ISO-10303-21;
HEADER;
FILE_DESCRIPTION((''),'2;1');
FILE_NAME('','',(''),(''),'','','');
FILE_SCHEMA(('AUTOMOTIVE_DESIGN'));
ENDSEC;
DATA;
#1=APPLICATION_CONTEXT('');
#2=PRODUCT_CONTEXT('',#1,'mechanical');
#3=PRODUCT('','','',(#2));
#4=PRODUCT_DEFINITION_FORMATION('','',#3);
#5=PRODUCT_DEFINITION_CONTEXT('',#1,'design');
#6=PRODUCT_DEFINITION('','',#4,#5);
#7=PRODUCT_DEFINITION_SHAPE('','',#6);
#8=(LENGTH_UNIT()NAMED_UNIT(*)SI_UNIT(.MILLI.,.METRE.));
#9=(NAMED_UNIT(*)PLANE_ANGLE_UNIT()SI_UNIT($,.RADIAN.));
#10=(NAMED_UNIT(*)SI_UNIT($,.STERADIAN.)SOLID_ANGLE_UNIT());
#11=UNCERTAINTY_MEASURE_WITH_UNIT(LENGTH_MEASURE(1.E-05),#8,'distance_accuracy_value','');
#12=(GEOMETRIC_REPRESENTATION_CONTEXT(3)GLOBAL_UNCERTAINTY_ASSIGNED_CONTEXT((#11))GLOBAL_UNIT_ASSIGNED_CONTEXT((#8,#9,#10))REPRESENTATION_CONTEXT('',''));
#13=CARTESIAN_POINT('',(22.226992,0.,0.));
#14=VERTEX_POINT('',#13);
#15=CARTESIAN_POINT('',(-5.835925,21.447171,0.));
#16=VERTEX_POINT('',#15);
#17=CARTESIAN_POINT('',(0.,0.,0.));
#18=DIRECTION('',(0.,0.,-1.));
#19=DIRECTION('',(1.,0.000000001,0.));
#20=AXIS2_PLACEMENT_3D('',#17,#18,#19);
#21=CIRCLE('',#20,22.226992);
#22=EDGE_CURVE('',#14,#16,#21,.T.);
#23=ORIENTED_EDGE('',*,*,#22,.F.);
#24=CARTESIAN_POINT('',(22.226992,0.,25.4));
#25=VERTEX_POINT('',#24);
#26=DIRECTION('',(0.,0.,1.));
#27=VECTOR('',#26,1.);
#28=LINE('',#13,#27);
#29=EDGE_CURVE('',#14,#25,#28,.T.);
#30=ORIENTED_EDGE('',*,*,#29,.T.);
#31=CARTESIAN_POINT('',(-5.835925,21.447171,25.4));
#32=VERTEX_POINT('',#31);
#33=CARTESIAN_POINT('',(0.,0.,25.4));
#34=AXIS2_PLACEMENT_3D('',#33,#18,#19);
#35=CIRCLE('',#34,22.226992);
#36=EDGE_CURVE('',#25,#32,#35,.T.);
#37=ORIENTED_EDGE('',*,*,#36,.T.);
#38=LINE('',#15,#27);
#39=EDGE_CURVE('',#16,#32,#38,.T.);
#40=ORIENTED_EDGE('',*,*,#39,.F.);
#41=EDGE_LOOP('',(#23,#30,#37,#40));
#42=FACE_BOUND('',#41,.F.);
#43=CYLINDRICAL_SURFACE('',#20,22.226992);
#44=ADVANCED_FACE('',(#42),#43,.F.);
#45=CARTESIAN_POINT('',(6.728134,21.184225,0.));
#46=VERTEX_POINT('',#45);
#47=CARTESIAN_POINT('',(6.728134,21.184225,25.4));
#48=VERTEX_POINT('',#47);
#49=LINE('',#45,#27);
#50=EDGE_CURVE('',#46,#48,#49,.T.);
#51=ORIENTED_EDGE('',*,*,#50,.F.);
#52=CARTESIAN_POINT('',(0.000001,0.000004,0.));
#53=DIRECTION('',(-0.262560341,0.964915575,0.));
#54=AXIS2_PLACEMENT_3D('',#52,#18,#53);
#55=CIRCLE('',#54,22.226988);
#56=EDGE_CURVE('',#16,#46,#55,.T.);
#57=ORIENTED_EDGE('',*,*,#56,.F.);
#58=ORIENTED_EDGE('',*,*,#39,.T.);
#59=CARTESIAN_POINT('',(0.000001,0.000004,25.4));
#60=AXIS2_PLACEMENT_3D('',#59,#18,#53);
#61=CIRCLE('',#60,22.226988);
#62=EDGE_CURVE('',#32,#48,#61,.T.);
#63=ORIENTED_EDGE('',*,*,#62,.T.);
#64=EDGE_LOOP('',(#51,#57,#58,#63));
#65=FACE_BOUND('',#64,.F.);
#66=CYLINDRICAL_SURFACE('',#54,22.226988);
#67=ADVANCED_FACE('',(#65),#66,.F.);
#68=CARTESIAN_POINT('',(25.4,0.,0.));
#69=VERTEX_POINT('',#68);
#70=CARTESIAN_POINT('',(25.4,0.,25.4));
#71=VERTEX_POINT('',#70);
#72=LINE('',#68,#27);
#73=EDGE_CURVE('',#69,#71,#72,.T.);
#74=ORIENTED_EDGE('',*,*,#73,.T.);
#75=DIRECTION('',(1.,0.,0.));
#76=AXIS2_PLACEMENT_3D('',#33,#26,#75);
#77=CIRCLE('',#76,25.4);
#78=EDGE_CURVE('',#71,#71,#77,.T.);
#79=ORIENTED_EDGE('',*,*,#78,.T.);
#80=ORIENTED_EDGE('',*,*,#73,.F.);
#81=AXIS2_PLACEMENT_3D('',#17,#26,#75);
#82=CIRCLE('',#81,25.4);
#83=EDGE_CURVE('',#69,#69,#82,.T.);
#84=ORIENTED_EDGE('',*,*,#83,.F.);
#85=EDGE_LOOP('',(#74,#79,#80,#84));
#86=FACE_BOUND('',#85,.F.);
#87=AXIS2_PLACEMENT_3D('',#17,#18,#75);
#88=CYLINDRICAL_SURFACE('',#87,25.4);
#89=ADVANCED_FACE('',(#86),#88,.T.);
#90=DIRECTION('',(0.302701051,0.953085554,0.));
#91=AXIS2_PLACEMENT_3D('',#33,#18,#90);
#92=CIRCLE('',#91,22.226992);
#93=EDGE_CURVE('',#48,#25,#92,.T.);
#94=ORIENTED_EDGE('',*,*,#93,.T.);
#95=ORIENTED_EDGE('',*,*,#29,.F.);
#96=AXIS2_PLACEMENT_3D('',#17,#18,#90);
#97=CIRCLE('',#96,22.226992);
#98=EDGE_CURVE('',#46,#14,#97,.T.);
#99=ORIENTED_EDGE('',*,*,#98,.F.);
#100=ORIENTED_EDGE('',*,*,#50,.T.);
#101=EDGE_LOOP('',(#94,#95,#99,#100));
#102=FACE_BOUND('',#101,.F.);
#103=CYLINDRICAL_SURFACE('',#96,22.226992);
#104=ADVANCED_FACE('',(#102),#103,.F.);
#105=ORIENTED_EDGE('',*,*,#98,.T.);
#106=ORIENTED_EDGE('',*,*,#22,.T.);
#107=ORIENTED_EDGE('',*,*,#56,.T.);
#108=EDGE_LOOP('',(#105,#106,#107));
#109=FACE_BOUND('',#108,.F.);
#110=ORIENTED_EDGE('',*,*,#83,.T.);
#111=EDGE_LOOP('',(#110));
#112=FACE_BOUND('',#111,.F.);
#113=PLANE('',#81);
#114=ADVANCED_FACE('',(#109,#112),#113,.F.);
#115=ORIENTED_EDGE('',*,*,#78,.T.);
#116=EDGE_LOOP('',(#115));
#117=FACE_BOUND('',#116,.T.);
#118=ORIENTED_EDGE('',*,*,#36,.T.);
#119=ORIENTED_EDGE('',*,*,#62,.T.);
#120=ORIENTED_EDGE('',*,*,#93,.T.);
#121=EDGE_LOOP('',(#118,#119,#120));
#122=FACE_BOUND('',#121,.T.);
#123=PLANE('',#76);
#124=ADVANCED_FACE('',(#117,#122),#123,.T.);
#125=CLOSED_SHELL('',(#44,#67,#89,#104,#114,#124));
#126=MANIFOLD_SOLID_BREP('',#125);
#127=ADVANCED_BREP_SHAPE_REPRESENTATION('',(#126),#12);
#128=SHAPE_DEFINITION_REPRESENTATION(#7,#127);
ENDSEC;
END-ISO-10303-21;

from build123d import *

# Parameters (mm, degrees)
F0_R     = 25.4
F1_DEPTH = 25.4


with BuildPart() as f1:
    # F0 (on Top) → F1 (new body)
    with BuildSketch(Plane.XY):
        Circle(F0_R)
        with BuildLine():
            ThreePointArc((6.728134, 21.184225), (17.938581, 13.124271), (22.226992, 0))
            ThreePointArc((22.226992, 0), (-13.496742, -17.660043), (-5.835925, 21.447171))
            ThreePointArc((-5.835925, 21.447171), (0.465074, 22.222126), (6.728134, 21.184225))
        make_face(mode=Mode.SUBTRACT)
    extrude(amount=F1_DEPTH)


solid = f1.part
